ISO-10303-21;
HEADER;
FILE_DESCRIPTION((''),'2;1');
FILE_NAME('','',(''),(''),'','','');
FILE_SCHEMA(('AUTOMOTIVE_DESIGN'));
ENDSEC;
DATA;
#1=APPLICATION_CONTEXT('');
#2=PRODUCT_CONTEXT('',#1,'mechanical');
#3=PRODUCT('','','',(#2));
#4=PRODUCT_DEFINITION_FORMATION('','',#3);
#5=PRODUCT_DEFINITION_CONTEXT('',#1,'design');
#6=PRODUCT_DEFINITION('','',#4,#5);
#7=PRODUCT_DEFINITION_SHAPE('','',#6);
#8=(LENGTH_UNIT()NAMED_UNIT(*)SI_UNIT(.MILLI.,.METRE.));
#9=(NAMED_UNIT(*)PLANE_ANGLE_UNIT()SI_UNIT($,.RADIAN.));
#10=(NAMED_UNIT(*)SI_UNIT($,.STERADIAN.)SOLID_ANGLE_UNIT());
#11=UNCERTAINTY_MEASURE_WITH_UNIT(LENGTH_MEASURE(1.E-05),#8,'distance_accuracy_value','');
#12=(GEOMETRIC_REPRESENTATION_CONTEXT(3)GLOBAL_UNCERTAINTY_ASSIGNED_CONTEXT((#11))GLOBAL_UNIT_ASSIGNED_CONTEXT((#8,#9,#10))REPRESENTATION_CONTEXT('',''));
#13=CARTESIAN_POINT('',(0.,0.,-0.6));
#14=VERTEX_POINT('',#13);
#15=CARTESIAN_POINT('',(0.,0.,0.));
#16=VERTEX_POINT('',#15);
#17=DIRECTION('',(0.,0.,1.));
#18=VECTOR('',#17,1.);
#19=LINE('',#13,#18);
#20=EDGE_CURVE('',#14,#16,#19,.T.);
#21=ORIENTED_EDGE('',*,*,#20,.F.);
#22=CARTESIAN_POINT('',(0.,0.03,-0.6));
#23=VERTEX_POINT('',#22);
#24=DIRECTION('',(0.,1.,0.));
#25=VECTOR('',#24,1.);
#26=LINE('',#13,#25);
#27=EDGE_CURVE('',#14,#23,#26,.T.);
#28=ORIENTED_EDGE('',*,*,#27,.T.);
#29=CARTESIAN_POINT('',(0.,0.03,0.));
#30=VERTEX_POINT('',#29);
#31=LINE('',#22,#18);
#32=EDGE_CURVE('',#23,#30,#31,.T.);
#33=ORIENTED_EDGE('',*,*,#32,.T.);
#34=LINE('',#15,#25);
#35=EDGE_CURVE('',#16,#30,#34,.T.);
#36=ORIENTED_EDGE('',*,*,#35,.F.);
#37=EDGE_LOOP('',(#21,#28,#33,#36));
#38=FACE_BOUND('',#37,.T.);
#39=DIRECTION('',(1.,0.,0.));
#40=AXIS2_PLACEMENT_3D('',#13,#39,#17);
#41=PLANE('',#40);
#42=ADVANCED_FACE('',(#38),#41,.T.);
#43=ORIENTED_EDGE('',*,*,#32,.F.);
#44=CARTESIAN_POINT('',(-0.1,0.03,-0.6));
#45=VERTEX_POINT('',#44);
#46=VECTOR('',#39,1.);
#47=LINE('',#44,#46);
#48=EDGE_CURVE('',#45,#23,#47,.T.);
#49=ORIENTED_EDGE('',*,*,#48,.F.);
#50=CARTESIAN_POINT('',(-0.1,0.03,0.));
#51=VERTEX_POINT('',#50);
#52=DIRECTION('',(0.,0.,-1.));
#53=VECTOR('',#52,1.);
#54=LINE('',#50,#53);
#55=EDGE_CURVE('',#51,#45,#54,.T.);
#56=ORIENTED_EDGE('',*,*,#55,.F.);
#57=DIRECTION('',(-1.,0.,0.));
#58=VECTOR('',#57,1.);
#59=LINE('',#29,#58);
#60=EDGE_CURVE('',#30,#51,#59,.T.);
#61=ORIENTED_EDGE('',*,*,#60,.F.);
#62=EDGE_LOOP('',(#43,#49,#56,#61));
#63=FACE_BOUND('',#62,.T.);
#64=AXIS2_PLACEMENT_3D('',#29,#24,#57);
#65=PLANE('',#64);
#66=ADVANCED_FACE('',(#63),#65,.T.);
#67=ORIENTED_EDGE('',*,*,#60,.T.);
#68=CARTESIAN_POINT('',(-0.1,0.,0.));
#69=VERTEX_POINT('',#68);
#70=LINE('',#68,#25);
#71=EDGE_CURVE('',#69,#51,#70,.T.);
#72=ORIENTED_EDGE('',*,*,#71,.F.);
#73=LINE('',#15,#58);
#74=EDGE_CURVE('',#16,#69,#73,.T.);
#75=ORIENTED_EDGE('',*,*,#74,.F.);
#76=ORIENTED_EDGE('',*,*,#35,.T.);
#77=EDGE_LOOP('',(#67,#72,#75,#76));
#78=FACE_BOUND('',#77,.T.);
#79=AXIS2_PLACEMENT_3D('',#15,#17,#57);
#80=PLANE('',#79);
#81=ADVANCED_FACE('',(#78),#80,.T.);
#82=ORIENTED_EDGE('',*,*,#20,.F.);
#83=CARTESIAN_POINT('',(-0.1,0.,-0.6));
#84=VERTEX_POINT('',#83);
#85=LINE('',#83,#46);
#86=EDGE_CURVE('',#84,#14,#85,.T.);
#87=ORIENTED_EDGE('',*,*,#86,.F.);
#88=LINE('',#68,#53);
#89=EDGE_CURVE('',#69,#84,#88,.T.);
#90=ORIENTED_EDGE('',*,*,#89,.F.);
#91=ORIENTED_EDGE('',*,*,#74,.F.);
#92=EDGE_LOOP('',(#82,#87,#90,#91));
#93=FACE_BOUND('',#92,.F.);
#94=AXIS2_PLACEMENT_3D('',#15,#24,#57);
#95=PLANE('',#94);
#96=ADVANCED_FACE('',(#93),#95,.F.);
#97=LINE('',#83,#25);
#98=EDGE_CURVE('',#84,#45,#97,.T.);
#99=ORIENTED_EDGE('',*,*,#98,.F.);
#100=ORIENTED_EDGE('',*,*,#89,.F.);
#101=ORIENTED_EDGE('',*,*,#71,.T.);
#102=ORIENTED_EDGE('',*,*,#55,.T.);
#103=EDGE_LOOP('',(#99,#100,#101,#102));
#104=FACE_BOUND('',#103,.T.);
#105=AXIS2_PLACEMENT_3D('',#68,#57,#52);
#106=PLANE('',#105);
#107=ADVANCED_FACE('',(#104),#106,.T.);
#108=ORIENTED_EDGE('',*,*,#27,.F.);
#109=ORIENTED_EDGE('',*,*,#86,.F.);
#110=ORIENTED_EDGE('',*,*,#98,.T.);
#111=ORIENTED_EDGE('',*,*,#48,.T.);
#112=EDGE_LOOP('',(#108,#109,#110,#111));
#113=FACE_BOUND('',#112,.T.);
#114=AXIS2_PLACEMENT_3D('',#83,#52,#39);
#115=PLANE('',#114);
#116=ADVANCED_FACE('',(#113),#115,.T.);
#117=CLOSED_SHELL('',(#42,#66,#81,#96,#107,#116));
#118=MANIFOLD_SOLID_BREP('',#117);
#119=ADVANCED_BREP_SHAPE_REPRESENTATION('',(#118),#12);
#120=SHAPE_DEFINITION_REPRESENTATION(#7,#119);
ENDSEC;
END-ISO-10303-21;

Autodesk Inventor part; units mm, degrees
ref_plane "YZ Plane" through (0, 0, 0) normal (1, 0, 0) x (0, 1, 0)
ref_plane "XZ Plane" through (0, 0, 0) normal (0, 1, 0) x (-1, 0, 0)
ref_plane "XY Plane" through (0, 0, 0) normal (0, 0, 1) x (1, 0, 0)
sketch "Sketch1" plane through (0, 0, 0) normal (0, 1, 0) x (-1, 0, 0)
  line L0 (0, 0) -> (0.1, 0)
  line L1 (0.1, 0) -> (0.1, -0.6)
  line L2 (0.1, -0.6) -> (0, -0.6)
  line L3 (0, -0.6) -> (0, 0)
  dimension "d0" = 0.6
  dimension "d1" = 0.1
extrude "Extrusion1" add sketch "Sketch1" along normal blind 0.03
properties part number "KontaktGreifer" material "Water"
